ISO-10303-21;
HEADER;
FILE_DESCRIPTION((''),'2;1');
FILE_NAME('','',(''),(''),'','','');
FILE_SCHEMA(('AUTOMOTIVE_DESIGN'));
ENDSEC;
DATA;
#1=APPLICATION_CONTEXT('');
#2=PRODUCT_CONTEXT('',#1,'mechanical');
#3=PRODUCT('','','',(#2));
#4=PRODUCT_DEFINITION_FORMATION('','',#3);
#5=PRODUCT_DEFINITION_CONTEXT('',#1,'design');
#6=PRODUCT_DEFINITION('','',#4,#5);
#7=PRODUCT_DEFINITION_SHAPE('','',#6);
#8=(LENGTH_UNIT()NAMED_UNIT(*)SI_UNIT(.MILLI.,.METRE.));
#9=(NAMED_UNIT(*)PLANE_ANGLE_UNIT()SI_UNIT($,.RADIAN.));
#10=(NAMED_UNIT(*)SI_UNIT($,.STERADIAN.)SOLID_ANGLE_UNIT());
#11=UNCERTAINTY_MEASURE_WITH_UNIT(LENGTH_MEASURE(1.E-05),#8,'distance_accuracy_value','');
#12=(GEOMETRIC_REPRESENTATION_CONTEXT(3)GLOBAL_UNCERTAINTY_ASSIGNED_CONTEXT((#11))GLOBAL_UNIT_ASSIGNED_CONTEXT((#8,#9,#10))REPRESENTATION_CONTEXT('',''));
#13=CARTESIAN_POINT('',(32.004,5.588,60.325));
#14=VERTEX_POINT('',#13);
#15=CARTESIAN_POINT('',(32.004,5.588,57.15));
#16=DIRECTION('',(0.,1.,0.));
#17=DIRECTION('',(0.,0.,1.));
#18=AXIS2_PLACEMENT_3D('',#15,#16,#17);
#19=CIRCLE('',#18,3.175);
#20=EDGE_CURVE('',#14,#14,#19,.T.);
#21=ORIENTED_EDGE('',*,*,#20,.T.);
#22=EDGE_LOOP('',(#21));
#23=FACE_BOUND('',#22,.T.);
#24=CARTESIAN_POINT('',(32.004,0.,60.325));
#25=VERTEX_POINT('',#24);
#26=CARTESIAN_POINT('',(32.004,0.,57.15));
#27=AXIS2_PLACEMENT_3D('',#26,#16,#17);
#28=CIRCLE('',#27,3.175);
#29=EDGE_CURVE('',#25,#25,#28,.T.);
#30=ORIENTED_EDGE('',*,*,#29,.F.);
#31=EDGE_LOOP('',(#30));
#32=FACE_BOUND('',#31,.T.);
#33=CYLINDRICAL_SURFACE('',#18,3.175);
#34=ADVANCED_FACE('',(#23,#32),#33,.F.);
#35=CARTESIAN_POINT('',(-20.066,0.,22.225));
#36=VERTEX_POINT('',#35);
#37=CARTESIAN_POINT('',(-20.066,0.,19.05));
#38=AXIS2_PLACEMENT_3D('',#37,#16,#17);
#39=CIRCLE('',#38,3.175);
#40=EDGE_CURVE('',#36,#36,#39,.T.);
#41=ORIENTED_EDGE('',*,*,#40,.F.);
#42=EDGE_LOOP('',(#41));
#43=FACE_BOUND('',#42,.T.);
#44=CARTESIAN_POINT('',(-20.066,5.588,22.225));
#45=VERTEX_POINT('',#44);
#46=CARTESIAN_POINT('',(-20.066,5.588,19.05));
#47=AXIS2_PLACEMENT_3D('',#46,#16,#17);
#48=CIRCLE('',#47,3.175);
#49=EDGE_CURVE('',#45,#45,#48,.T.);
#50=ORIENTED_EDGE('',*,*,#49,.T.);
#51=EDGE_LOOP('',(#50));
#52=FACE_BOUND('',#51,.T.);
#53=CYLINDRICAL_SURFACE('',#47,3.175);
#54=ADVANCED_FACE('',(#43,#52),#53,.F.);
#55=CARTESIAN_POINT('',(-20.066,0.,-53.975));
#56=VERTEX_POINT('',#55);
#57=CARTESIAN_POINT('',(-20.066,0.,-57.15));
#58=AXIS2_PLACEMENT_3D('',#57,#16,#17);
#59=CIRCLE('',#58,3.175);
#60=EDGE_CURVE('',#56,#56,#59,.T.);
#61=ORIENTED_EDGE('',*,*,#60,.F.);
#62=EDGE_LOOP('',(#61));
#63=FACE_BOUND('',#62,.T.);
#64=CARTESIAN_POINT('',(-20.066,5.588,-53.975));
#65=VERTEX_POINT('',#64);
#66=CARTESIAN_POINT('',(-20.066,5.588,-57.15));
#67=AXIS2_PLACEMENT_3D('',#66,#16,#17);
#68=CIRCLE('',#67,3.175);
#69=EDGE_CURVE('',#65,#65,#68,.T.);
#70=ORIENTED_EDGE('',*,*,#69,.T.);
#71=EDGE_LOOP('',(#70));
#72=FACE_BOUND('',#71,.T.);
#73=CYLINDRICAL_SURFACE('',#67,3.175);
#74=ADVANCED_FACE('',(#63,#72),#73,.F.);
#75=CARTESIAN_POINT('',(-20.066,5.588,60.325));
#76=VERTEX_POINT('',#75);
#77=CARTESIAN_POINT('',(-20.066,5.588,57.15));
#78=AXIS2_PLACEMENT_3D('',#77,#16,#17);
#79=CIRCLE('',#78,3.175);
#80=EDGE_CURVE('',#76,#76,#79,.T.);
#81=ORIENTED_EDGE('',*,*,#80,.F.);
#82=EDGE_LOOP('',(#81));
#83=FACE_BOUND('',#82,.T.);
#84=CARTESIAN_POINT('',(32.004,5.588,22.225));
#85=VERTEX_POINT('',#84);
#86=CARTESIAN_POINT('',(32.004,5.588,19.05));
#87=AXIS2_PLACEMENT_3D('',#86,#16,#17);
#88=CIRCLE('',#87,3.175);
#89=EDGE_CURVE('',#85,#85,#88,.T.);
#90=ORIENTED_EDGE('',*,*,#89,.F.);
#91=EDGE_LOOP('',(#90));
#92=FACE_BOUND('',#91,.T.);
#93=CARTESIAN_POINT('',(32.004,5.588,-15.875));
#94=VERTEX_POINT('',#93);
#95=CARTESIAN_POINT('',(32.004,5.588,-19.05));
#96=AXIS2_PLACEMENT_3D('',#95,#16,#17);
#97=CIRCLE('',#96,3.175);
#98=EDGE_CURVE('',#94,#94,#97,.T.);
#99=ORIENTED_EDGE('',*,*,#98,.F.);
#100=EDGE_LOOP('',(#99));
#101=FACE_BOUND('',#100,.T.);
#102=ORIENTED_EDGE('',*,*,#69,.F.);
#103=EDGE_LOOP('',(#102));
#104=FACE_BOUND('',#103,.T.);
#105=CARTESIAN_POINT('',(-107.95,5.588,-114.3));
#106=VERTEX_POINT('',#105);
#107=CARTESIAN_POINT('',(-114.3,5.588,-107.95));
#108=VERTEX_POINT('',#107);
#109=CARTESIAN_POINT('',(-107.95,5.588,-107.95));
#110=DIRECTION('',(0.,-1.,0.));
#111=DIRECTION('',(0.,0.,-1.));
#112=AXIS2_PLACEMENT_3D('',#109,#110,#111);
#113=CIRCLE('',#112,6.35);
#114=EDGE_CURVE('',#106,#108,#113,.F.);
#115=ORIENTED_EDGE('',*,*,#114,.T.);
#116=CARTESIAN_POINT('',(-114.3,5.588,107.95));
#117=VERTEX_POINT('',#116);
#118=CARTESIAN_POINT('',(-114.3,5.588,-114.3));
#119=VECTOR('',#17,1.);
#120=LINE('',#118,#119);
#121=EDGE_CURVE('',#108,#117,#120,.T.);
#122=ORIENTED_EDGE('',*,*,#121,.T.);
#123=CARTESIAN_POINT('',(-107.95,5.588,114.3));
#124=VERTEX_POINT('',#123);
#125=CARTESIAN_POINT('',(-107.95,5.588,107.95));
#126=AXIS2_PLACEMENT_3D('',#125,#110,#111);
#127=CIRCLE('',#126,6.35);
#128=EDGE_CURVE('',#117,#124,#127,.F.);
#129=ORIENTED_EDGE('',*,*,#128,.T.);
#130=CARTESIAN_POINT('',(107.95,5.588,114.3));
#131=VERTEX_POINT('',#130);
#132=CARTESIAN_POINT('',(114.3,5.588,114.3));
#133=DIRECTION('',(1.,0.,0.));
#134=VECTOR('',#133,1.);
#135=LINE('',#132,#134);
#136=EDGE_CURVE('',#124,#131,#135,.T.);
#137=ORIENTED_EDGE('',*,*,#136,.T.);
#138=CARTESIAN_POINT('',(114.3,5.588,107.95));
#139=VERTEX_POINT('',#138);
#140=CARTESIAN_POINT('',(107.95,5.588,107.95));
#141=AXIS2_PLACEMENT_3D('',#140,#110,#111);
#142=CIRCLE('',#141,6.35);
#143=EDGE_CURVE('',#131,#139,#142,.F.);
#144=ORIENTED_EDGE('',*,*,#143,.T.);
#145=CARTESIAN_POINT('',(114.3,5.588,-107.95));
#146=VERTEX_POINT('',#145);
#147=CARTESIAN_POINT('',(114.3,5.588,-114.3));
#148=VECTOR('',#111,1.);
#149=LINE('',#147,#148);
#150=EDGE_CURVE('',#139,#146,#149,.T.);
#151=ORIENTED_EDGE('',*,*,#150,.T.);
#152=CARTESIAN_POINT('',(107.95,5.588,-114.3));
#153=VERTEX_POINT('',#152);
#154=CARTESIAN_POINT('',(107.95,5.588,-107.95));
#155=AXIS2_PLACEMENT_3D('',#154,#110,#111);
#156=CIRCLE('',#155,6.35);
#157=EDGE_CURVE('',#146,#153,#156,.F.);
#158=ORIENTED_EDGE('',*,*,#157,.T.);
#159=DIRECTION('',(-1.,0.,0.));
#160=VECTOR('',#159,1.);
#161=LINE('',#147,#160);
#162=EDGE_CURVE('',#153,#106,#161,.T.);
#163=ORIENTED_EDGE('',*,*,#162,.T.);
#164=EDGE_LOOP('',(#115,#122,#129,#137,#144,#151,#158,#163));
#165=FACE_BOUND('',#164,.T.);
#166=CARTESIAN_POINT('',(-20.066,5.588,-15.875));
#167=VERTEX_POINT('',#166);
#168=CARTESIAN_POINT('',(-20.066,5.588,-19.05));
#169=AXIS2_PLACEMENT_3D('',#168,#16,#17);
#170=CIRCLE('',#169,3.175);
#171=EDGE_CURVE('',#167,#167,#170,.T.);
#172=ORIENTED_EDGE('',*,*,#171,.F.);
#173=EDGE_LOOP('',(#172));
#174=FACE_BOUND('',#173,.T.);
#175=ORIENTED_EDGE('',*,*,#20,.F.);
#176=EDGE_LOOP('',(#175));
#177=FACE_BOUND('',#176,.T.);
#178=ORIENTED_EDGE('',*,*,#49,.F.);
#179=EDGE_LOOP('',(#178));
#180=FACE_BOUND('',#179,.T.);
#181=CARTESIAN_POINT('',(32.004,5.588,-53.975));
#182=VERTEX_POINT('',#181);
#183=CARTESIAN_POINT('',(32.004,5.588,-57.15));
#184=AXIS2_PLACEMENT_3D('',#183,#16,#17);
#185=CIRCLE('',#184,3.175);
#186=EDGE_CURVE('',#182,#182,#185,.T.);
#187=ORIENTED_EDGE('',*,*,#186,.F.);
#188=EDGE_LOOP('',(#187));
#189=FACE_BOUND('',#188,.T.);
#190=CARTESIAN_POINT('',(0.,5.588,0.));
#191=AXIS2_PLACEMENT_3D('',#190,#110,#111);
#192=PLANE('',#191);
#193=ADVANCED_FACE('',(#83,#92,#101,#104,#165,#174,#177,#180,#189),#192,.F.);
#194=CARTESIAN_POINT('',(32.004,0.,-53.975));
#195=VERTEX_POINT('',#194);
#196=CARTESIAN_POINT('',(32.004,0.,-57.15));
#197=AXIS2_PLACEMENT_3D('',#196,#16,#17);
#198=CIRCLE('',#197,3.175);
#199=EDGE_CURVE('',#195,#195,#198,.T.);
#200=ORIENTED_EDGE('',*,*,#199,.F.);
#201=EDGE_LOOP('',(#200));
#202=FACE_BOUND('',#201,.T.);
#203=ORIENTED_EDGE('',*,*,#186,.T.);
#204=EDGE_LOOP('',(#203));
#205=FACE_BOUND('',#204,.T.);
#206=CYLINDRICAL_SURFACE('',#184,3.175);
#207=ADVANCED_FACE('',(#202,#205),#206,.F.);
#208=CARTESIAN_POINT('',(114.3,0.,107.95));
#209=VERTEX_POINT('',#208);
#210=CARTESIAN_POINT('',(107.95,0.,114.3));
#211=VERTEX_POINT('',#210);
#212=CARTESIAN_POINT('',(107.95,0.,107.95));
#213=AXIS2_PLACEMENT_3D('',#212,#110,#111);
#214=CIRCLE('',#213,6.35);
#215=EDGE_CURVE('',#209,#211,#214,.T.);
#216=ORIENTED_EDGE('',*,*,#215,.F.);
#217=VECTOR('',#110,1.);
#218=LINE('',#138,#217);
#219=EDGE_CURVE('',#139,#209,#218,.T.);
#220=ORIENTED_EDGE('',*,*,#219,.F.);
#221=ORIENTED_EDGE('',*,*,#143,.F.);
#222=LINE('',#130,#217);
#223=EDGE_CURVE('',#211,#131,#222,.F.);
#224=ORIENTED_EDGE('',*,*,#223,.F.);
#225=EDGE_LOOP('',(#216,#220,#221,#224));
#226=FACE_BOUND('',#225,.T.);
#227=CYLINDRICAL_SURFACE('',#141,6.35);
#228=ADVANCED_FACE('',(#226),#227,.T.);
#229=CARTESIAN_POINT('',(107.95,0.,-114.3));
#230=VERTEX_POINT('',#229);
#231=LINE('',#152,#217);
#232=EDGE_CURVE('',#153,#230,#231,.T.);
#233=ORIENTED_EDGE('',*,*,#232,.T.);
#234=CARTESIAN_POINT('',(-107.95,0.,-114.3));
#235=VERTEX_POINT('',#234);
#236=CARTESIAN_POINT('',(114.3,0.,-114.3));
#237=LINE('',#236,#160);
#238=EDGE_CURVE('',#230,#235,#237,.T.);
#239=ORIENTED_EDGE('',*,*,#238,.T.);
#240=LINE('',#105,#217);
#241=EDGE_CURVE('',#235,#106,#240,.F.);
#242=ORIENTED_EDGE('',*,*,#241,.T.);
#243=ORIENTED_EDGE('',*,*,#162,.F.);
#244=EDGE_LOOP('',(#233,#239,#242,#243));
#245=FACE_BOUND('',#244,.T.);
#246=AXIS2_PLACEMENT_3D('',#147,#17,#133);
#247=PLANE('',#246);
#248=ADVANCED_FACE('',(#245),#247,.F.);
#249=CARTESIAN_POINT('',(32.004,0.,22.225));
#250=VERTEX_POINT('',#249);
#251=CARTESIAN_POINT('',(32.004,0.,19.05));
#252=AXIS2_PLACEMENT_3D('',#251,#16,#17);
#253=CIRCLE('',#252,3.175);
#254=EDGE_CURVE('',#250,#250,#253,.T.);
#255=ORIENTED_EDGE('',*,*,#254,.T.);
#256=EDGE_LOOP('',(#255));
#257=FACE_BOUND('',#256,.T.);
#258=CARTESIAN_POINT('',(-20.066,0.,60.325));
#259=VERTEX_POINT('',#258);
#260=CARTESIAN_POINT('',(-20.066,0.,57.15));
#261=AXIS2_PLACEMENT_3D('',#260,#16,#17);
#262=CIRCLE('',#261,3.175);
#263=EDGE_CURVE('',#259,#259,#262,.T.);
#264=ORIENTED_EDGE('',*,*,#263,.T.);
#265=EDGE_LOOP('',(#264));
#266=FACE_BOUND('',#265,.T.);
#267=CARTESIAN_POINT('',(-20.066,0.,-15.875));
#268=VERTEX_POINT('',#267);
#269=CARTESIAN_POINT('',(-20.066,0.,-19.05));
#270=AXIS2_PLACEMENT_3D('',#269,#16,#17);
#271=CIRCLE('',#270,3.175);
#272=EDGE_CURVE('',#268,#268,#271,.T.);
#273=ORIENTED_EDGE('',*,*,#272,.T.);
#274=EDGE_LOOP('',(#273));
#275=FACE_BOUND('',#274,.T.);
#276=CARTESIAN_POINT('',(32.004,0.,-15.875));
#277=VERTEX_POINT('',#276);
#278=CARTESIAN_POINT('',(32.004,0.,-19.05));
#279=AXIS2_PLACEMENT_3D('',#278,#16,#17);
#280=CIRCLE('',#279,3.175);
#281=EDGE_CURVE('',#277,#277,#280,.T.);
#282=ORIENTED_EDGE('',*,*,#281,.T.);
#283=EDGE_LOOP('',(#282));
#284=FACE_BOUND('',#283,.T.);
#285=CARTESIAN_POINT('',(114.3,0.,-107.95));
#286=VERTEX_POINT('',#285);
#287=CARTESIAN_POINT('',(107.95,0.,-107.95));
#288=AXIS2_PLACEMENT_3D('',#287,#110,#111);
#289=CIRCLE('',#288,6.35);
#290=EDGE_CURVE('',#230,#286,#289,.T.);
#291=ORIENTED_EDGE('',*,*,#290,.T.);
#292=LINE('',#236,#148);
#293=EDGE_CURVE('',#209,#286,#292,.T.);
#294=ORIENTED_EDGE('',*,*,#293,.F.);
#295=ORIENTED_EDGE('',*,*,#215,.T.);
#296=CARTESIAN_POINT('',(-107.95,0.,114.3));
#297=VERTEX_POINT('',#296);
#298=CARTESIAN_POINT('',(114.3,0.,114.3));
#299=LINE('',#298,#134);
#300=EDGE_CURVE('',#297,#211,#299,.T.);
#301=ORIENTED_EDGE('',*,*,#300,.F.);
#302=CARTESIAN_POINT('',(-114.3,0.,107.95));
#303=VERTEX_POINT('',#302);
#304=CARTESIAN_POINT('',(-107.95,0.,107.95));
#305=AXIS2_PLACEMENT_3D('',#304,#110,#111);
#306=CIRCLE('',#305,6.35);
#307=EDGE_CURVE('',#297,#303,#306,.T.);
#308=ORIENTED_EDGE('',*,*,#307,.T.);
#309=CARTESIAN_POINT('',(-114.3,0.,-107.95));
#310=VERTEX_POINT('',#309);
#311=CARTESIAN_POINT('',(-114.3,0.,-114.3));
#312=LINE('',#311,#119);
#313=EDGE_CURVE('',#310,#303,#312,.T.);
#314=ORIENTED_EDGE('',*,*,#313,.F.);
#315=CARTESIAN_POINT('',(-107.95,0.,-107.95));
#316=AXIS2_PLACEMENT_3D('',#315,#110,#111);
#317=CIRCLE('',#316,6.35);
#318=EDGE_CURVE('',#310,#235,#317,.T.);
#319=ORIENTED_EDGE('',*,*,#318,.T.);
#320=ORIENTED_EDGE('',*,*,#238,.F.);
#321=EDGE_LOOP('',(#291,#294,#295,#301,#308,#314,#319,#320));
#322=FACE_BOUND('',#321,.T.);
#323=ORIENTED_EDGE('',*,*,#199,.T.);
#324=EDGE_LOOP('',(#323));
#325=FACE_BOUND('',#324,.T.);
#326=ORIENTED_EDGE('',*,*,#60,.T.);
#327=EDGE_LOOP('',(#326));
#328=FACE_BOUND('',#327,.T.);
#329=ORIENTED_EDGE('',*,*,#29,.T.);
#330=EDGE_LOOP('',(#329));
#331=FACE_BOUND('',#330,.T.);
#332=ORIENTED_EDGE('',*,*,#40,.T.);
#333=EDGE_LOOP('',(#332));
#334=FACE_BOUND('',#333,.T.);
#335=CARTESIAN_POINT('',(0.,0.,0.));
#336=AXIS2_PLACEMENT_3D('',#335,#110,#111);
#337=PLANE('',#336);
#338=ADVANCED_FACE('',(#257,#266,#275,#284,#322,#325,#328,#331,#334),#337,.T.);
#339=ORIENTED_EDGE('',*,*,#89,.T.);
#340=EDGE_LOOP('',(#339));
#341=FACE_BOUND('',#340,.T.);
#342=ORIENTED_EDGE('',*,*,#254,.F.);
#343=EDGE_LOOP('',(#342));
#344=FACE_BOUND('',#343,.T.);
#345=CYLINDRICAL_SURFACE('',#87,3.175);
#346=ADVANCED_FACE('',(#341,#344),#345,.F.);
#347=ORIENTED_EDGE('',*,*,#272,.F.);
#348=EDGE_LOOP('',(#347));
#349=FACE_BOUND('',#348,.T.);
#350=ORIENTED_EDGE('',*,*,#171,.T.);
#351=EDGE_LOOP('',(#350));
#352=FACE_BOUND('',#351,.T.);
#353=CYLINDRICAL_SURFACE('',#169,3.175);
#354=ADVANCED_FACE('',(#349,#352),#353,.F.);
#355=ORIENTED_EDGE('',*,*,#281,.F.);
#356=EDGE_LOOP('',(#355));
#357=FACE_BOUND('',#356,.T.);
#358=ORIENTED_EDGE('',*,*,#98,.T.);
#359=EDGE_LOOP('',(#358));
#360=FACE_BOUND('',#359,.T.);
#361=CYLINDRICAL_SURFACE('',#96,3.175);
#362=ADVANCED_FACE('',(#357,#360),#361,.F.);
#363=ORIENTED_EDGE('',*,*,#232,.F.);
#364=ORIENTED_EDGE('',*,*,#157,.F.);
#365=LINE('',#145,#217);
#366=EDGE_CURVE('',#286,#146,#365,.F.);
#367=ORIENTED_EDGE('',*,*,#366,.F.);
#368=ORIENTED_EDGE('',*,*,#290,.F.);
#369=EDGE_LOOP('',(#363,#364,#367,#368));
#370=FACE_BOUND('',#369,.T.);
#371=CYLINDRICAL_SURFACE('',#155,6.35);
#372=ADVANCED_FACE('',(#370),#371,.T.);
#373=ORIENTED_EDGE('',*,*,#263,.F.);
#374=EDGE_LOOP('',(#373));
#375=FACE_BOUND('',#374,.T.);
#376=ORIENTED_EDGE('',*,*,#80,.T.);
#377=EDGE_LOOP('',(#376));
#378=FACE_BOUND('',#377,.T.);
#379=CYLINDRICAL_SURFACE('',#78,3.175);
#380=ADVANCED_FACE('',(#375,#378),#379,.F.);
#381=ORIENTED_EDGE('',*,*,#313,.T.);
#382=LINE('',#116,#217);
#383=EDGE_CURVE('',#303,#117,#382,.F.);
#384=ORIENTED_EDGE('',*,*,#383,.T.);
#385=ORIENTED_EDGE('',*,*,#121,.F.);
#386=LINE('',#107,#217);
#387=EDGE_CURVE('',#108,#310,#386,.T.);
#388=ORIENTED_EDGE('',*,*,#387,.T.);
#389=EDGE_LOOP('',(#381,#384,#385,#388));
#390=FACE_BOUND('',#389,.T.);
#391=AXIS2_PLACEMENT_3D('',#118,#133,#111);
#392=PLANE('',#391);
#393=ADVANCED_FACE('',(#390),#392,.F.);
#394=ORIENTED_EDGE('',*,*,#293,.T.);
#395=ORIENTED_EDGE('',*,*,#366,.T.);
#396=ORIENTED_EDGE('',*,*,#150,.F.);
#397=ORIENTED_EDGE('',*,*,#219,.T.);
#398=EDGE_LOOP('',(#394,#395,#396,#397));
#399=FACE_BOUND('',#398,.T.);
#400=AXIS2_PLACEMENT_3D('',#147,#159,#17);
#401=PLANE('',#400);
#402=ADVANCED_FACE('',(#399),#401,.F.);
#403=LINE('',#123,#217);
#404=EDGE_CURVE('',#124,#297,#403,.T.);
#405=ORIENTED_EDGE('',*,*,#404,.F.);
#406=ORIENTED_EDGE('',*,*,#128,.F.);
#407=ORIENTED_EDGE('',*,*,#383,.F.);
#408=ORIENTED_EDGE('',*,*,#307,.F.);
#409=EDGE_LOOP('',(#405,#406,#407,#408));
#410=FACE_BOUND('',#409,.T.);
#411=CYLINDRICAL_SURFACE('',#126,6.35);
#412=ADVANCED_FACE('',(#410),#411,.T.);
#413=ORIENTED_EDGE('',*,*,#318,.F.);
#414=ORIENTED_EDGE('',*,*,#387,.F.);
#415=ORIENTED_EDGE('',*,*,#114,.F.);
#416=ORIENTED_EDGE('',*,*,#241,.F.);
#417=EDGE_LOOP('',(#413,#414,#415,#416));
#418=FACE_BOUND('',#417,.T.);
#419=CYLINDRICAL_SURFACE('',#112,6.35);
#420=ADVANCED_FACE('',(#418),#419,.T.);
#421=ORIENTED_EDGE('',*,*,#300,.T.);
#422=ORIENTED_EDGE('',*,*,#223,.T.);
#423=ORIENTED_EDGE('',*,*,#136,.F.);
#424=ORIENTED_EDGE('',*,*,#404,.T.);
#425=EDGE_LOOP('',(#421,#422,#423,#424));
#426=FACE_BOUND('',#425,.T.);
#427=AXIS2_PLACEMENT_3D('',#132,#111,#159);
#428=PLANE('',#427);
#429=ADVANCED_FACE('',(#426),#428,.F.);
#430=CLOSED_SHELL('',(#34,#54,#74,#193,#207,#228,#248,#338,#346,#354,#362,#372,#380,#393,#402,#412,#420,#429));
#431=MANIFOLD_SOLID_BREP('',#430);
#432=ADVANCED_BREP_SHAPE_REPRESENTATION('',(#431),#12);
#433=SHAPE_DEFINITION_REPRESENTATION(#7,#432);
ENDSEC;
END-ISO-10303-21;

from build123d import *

# Parameters (mm, degrees)
SKETCH1_W                   = 228.6
SKETCH1_H                   = 228.6
BOSS_EXTRUDE1_DEPTH         = 5.588
F_1_4_0_25_DIAMETER_HOLE1_D = 6.35
LPATTERN1_COUNT             = 4
LPATTERN1_PITCH             = 38.1
FILLET1_R                   = 6.35


with BuildPart() as part:
    # Sketch1 → Boss-Extrude1 (new body)
    with BuildSketch(Plane(origin=(0, 0, 0), x_dir=(1, 0, 0), z_dir=(0, 1, 0))):
        Rectangle(SKETCH1_W, SKETCH1_H)
    extrude(amount=BOSS_EXTRUDE1_DEPTH)

    # 1/4 (0.25) Diameter Hole1 (through all)
    with Locations(Plane(origin=(0, 5.588, 0), x_dir=(1, 0, 0), z_dir=(0, 1, 0))):
        with Locations((-20.066, 57.15), (32.004, 57.15)):
            f_1_4_0_25_diameter_hole1 = Hole(F_1_4_0_25_DIAMETER_HOLE1_D / 2)

    # LPattern1: 1/4 (0.25) Diameter Hole1 ×4
    with Locations(*[(0, 0, i * LPATTERN1_PITCH) for i in range(1, LPATTERN1_COUNT)]):
        add(f_1_4_0_25_diameter_hole1, mode=Mode.SUBTRACT)

    # Fillet1
    fillet1_edges = [part.edges().sort_by_distance(p)[0] for p in [
        (-114.3, 2.794, -114.3),
        (114.3, 2.794, -114.3),
        (114.3, 2.794, 114.3),
        (-114.3, 2.794, 114.3),
    ]]
    fillet(fillet1_edges, radius=FILLET1_R)


solid = part.part
